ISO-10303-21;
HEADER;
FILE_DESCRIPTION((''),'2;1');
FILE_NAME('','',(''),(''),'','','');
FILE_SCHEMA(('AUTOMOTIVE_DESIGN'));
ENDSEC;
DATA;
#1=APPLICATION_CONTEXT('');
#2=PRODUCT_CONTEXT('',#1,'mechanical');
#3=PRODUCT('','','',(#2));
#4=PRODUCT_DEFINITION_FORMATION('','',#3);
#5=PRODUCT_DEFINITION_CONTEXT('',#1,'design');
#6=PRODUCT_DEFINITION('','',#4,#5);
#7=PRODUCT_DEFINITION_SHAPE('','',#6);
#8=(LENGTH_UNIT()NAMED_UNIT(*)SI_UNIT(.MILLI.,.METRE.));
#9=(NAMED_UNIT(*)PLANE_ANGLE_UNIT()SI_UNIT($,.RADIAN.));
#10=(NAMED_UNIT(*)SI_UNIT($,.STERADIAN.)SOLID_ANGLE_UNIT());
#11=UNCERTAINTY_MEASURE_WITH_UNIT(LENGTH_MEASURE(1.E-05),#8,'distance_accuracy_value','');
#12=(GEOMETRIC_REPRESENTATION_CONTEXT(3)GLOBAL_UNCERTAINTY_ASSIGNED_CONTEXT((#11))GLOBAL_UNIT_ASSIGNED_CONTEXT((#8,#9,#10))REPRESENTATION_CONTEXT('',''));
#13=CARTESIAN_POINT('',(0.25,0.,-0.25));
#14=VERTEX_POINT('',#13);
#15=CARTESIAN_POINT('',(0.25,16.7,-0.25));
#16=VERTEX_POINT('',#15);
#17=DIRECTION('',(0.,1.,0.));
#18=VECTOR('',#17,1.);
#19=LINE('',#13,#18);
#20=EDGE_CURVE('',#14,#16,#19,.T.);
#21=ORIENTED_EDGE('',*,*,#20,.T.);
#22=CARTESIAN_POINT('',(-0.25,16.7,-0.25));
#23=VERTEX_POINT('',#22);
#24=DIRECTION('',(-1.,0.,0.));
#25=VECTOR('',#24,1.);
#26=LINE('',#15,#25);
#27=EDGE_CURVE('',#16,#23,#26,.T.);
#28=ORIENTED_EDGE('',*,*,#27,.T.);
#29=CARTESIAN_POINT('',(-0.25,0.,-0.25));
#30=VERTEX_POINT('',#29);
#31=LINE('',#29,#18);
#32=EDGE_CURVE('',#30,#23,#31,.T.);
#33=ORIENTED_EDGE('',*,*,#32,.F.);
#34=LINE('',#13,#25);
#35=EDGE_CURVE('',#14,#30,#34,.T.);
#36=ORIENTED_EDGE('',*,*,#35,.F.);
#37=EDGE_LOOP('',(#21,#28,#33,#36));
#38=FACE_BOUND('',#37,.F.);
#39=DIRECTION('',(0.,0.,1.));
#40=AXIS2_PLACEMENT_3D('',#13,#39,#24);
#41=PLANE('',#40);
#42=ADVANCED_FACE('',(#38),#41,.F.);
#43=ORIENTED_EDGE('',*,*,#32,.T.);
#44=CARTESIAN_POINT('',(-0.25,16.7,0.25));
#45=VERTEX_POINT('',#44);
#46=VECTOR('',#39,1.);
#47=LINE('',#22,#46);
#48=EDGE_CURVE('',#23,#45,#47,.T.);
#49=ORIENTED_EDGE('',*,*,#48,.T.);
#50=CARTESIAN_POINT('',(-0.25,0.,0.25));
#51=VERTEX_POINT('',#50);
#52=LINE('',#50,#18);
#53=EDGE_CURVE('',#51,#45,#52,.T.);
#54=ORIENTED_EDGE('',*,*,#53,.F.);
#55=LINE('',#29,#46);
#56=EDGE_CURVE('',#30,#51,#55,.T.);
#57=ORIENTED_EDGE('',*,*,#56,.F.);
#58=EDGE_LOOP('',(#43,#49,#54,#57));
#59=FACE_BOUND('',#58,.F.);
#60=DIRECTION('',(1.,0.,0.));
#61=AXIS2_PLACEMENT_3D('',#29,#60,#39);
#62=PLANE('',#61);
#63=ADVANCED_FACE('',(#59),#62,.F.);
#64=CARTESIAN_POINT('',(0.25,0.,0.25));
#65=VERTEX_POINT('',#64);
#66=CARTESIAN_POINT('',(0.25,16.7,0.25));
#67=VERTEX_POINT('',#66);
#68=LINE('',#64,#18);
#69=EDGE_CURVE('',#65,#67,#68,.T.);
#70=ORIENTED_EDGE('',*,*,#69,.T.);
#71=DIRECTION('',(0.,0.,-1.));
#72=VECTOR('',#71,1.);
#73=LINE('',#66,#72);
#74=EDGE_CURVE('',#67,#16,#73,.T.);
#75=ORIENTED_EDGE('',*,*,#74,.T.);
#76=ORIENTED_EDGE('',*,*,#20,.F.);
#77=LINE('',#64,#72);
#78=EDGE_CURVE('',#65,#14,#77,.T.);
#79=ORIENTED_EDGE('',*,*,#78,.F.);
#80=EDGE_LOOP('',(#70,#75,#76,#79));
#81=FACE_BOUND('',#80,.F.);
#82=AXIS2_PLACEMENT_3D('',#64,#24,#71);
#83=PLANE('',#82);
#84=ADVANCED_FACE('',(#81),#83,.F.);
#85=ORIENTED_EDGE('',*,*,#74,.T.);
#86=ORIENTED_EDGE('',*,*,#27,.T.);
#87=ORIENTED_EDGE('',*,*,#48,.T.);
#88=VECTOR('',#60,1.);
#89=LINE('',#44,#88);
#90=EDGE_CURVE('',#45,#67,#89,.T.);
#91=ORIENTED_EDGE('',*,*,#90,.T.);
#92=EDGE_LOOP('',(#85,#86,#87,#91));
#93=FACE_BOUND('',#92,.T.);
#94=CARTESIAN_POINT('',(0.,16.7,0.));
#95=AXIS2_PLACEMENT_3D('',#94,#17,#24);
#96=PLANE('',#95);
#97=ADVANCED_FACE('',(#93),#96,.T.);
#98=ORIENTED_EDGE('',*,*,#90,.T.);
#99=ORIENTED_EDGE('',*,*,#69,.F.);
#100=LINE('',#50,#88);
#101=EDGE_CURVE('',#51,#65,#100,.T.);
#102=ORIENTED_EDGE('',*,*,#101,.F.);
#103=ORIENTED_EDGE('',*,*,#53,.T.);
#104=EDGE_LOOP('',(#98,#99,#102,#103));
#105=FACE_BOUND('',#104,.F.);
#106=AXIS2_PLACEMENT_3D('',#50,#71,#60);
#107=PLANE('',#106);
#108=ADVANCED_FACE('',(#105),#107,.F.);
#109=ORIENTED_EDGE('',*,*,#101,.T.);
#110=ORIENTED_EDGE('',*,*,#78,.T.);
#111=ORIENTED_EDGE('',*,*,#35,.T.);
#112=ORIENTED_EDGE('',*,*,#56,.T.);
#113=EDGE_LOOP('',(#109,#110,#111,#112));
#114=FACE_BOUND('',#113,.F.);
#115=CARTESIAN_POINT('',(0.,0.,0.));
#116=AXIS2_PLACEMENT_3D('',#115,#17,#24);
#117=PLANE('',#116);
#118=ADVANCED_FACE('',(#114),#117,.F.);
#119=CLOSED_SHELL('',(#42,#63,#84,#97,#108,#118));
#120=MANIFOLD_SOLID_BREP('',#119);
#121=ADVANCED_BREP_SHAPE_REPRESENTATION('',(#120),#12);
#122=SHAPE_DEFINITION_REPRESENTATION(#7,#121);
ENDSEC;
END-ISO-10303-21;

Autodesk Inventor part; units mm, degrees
ref_plane "YZ Plane" through (0, 0, 0) normal (1, 0, 0) x (0, 1, 0)
ref_plane "XZ Plane" through (0, 0, 0) normal (0, 1, 0) x (-1, 0, 0)
ref_plane "XY Plane" through (0, 0, 0) normal (0, 0, 1) x (1, 0, 0)
sketch "Sketch1" plane through (0, 0, 0) normal (0, 1, 0) x (-1, 0, 0)
  line L0 (0.25, 0.25) -> (-0.25, 0.25)
  line L1 (-0.25, 0.25) -> (-0.25, -0.25)
  line L2 (-0.25, -0.25) -> (0.25, -0.25)
  line L3 (0.25, -0.25) -> (0.25, 0.25)
  line L4 (0.25, 0.25) -> (-0.25, -0.25) construction
  line L5 (-0.25, 0.25) -> (0.25, -0.25) construction
  point P0 (0, 0)
  dimension "d0" = 0.5
  dimension "d1" = 0.5
extrude "Extrusion1" add sketch "Sketch1" along normal blind 16.7
properties part number "led-wire-long"
